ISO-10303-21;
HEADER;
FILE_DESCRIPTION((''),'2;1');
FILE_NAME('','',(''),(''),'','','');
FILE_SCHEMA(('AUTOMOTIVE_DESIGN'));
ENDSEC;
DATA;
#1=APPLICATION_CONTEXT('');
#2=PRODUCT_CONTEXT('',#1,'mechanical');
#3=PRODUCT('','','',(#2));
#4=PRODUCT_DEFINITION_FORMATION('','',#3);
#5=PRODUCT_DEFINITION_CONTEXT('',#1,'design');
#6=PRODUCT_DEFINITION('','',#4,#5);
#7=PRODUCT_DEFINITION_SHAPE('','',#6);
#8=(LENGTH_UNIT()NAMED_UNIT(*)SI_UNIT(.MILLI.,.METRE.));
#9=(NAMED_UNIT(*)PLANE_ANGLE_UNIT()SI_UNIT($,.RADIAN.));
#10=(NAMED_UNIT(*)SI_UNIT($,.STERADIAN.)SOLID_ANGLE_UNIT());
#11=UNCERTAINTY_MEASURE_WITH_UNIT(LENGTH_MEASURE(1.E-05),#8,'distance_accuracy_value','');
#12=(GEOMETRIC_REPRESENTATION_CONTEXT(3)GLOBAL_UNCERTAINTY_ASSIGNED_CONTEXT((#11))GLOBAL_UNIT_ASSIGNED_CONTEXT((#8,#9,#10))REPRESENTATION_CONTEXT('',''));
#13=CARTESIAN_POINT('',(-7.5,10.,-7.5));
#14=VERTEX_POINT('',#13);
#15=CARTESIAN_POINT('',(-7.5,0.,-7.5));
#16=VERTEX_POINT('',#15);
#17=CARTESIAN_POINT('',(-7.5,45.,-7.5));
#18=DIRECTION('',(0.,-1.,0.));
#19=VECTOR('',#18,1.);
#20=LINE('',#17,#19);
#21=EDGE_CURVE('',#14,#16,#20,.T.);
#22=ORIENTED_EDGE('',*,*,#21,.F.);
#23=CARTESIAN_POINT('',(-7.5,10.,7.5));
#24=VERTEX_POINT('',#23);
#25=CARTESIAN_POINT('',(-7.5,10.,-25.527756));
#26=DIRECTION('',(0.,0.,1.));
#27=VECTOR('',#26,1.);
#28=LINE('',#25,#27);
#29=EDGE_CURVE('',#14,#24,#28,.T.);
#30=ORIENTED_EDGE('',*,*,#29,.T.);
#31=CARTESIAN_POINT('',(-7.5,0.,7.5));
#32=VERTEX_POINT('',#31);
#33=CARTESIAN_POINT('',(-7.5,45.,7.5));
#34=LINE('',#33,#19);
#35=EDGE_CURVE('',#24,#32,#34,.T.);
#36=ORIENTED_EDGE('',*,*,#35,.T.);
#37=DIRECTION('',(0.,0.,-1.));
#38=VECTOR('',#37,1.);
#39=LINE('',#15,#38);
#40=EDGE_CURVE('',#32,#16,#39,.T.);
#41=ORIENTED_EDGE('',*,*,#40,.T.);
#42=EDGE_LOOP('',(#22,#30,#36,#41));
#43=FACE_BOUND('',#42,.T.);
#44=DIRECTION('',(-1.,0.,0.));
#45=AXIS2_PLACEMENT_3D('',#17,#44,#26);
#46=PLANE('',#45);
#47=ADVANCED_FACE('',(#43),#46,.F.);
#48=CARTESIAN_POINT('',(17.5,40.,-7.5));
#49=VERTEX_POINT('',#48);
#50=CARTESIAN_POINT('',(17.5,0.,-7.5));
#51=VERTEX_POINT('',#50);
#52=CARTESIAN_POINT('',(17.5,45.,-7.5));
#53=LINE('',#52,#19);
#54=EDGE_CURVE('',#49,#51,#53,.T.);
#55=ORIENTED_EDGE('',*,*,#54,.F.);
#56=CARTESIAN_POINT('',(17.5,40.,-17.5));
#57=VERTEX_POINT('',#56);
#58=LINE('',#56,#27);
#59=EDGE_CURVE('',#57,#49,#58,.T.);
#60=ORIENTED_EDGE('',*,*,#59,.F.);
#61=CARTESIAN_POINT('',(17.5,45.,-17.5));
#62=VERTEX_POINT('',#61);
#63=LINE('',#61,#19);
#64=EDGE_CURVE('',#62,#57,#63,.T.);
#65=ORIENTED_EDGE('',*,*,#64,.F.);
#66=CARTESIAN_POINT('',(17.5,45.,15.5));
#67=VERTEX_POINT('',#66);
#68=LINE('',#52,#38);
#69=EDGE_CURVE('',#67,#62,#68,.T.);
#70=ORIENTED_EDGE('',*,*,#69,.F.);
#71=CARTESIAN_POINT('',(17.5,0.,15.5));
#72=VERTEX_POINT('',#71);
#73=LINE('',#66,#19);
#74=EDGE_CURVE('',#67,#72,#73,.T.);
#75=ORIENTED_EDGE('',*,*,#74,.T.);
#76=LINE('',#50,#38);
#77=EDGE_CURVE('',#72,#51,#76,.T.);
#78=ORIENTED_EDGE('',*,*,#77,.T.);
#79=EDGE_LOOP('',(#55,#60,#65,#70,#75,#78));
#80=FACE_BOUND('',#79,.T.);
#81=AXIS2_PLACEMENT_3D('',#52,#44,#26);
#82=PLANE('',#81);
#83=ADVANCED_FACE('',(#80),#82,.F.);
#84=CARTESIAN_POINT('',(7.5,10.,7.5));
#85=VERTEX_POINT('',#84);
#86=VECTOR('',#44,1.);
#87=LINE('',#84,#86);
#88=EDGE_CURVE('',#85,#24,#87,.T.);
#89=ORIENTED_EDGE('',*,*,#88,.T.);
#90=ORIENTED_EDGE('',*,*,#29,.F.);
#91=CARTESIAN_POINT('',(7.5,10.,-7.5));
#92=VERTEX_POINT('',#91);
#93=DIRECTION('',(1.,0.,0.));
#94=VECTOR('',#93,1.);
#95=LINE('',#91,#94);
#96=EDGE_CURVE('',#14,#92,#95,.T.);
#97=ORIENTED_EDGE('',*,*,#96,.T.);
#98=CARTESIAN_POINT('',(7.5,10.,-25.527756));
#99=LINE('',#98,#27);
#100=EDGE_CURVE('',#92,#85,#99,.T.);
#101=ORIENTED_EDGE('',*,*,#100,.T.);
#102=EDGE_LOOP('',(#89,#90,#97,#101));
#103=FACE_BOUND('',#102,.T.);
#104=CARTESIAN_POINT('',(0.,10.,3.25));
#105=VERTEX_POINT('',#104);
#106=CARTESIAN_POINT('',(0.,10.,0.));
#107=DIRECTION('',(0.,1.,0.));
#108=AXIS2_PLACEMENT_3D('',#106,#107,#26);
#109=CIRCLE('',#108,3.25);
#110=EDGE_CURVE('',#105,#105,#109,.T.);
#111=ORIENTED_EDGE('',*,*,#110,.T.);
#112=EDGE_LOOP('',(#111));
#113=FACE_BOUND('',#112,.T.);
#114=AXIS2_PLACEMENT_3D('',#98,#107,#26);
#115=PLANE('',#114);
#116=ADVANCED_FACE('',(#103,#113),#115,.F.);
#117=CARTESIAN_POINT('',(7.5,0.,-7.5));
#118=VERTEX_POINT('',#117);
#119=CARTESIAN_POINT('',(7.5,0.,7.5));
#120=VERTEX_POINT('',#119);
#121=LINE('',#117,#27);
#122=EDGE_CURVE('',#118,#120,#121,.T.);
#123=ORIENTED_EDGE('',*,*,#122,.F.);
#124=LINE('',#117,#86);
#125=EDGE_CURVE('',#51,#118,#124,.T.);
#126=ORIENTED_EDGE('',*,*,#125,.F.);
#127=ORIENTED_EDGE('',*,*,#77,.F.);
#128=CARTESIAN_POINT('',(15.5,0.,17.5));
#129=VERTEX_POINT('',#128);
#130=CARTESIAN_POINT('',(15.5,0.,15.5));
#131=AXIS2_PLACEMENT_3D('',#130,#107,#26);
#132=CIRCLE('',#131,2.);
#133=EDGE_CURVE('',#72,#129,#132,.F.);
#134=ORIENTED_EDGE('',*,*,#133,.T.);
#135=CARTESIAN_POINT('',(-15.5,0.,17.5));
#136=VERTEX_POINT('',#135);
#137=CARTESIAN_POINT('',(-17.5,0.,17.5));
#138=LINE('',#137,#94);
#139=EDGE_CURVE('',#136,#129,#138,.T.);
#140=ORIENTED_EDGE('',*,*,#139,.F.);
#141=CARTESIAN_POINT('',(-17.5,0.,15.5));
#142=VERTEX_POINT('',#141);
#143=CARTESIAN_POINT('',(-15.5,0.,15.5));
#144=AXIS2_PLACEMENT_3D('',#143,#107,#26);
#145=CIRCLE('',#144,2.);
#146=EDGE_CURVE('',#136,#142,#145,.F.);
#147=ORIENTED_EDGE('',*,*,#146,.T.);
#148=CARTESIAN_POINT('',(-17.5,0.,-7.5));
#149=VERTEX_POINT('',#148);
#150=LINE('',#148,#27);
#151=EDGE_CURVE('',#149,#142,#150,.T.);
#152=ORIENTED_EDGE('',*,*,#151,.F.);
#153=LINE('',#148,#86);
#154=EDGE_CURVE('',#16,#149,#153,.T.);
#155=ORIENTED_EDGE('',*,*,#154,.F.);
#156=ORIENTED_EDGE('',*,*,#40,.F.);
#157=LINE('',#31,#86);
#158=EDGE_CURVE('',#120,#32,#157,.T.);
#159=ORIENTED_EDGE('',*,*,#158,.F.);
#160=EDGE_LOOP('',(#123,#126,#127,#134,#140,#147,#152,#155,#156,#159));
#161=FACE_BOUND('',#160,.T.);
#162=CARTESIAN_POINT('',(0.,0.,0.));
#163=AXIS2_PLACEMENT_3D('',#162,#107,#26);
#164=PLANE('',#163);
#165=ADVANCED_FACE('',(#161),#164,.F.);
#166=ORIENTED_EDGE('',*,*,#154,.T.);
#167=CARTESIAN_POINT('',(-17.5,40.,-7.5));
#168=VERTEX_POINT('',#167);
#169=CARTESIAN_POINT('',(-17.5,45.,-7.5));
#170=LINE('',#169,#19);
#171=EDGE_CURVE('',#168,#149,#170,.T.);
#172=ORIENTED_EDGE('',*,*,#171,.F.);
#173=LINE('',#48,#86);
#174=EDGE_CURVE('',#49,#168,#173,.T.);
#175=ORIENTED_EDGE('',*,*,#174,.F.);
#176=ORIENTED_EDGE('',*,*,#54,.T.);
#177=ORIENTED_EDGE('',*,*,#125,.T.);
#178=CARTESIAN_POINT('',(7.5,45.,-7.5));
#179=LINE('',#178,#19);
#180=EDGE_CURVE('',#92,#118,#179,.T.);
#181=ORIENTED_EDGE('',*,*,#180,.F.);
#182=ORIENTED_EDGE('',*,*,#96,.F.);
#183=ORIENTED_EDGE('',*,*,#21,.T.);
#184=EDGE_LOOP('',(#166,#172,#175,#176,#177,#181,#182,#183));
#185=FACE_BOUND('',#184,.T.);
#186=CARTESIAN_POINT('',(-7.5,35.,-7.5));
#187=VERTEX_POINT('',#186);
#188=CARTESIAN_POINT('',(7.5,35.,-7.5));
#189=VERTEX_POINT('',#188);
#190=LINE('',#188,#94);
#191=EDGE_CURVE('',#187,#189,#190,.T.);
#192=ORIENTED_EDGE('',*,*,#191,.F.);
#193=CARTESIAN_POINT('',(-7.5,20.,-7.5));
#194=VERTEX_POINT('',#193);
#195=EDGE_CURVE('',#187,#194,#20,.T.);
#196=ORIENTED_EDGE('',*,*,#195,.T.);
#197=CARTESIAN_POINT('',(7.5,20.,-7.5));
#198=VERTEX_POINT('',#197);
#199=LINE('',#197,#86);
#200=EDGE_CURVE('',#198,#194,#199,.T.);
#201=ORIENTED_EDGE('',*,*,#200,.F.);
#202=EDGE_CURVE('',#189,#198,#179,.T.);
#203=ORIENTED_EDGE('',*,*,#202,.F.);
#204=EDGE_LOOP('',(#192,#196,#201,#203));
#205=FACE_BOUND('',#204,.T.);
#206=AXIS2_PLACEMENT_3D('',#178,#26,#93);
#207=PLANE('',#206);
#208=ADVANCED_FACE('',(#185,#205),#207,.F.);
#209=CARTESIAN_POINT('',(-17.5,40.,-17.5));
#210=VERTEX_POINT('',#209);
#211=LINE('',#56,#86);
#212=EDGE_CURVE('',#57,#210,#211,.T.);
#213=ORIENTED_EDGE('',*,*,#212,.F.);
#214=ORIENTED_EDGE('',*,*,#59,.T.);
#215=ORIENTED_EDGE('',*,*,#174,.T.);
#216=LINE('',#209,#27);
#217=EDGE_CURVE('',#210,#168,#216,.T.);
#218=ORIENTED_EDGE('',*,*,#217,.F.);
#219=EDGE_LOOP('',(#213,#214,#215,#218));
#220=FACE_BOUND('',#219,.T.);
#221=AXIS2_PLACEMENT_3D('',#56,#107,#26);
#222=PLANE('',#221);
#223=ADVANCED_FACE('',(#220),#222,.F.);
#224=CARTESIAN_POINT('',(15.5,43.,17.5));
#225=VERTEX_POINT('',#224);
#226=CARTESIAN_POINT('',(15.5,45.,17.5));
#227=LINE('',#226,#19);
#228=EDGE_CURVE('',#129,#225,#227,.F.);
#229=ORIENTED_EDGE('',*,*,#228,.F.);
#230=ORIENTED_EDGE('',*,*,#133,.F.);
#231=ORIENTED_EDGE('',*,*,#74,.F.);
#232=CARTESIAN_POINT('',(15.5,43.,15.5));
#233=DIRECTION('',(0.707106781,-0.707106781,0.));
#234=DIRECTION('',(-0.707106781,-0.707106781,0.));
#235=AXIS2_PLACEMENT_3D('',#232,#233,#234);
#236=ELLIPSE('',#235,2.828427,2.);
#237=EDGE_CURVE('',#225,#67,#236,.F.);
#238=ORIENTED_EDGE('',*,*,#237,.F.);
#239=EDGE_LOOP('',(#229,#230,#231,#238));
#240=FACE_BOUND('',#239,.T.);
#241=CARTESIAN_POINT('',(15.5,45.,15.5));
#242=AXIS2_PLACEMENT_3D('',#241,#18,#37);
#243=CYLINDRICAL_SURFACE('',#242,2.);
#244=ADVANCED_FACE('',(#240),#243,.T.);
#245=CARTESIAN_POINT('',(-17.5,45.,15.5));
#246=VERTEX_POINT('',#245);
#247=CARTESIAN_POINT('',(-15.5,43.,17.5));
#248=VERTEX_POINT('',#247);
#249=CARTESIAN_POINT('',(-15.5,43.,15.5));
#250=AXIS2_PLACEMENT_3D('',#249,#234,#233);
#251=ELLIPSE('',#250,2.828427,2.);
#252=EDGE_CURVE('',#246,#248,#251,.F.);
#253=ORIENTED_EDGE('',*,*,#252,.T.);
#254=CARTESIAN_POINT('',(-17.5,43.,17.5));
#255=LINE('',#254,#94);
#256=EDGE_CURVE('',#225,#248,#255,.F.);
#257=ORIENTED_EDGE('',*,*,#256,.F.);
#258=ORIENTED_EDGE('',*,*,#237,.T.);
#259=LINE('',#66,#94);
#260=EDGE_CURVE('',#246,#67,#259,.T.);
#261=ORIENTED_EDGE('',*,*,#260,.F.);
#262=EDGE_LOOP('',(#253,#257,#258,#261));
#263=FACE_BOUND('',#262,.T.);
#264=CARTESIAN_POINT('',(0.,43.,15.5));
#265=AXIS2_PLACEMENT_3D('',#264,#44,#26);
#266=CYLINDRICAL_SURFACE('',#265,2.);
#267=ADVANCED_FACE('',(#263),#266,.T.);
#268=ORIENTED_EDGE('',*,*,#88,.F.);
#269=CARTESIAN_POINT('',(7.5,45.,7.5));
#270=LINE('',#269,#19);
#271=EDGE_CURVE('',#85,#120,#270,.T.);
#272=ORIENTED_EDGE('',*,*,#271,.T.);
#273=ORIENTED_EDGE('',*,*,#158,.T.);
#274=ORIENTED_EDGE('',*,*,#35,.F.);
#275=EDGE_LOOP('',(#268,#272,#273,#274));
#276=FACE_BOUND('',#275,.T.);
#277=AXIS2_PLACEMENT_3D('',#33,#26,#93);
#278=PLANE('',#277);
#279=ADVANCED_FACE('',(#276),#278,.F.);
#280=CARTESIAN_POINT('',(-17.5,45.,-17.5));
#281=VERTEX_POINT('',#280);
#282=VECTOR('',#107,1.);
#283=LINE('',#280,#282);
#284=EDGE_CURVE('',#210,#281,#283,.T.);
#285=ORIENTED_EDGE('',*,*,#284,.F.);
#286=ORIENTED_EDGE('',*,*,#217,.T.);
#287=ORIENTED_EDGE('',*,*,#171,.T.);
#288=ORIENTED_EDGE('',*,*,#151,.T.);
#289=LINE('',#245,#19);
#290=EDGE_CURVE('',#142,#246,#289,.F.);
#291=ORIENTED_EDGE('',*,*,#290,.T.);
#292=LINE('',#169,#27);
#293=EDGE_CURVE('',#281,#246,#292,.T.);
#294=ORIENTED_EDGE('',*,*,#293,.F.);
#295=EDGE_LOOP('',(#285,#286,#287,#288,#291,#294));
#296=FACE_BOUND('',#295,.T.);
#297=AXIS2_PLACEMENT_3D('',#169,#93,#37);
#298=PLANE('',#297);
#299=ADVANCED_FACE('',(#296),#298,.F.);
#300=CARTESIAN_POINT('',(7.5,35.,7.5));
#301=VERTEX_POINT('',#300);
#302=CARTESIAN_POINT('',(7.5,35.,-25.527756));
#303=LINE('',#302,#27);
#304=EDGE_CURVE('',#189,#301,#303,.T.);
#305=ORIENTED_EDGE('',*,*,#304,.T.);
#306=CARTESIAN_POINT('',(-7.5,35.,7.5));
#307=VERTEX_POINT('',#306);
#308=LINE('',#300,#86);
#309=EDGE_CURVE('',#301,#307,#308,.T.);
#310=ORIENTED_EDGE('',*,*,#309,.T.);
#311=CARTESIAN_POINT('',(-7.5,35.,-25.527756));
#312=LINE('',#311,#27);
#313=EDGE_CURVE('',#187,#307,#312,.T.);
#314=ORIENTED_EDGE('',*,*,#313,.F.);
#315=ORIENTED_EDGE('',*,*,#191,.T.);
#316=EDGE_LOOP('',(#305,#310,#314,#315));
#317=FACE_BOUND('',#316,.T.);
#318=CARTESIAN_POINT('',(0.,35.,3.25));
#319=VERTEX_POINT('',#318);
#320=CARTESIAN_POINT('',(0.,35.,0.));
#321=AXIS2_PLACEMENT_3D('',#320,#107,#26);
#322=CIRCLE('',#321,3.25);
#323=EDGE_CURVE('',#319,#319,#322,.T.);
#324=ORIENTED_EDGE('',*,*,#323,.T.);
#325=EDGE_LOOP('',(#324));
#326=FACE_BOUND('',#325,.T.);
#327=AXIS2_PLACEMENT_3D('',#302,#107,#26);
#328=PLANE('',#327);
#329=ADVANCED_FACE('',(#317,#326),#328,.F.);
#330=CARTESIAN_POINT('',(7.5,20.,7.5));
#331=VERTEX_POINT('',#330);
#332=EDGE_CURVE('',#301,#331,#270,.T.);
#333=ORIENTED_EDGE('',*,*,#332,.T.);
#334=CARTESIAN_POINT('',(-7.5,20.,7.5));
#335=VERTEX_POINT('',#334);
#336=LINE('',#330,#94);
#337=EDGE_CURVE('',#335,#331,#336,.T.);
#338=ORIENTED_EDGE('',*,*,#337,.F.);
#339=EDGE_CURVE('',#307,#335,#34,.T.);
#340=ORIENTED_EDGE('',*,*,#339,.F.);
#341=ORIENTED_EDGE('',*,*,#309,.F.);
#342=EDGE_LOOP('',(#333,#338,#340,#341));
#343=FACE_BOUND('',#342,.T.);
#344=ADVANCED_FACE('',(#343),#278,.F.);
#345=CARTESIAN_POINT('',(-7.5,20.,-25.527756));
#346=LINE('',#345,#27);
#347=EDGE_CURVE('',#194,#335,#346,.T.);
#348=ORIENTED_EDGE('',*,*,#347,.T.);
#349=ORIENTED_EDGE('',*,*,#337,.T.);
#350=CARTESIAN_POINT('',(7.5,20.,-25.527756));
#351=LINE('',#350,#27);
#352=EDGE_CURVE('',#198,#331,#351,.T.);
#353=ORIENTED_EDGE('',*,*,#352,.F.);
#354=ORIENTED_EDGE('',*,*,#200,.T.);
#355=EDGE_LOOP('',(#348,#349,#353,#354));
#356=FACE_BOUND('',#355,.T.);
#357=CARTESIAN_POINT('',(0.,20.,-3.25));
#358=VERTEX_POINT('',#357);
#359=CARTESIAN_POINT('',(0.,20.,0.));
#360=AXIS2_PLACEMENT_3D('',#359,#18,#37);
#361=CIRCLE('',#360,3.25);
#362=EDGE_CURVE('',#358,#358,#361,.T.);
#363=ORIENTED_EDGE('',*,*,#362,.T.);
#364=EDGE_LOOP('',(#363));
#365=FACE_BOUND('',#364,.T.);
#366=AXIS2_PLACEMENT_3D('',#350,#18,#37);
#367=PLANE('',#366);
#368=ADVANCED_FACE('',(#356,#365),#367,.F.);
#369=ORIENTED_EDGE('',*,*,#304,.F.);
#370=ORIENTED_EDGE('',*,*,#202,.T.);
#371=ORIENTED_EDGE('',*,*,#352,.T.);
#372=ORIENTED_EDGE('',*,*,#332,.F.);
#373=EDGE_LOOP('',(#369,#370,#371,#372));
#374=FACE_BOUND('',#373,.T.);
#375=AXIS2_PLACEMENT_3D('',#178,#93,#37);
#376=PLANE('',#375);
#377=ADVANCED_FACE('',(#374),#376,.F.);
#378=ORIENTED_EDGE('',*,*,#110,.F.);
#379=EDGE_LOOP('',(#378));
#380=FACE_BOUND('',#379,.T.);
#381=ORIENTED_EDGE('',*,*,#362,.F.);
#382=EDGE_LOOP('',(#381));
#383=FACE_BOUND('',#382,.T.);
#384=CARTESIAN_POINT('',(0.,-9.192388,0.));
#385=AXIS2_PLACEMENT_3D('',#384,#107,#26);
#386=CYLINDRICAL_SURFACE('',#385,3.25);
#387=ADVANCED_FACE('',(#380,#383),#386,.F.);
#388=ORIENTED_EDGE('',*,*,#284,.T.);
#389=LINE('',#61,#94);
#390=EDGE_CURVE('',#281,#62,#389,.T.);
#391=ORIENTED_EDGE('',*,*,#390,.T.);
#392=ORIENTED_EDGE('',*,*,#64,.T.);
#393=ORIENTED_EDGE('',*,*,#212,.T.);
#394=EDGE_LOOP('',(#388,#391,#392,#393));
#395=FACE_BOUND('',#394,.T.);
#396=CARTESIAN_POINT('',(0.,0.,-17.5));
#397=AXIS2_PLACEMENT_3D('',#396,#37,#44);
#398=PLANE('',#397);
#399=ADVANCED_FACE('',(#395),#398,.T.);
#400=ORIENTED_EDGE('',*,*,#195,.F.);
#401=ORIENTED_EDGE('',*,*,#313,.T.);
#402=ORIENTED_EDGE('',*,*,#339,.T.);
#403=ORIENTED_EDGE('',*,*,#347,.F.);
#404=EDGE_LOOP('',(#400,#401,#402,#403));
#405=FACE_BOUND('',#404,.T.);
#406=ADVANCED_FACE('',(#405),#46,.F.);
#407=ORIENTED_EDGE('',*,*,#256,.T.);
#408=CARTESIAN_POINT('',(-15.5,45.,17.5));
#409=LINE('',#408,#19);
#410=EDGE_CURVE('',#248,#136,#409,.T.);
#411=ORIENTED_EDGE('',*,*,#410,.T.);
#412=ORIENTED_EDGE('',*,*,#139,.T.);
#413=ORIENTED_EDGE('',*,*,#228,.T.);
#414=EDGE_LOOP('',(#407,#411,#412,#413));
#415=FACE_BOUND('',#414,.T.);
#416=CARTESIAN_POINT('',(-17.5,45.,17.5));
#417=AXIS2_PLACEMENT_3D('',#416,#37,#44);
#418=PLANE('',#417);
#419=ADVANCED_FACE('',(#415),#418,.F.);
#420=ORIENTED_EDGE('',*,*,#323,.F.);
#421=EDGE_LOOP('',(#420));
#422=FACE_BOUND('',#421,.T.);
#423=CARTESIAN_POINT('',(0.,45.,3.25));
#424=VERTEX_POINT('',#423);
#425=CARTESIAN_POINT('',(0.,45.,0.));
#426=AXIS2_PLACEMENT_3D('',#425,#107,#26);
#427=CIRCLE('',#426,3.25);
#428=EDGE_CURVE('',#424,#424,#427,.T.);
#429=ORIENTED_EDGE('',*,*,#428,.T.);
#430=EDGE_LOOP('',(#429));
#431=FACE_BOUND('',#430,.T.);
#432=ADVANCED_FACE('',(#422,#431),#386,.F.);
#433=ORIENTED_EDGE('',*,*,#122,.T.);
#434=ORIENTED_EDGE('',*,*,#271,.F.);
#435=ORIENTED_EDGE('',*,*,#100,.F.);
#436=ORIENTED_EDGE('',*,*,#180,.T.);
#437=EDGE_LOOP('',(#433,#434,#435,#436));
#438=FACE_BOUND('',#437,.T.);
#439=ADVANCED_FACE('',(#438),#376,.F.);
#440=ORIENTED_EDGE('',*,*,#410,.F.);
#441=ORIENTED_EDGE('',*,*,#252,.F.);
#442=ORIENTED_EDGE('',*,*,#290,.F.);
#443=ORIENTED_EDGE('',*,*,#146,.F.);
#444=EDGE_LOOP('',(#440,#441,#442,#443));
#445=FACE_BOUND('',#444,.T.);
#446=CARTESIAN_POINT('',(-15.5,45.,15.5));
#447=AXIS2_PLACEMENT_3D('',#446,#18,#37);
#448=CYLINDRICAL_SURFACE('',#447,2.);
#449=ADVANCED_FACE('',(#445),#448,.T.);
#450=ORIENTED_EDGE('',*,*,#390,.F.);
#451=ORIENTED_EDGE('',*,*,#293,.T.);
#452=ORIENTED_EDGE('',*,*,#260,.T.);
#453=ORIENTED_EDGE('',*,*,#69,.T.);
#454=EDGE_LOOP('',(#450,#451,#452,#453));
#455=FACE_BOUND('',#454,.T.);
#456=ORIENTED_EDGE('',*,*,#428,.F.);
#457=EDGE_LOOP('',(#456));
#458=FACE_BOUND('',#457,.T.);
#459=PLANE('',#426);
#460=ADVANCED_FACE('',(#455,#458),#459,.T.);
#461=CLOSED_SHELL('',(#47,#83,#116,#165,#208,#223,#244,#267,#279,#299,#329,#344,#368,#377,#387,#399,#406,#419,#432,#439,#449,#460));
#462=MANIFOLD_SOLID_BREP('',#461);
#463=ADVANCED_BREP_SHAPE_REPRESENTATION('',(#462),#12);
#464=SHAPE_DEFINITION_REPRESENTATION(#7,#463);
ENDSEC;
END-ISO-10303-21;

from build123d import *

# Parameters (mm, degrees)
BOSS_EXTRUDE1_DEPTH = 45
SKETCH2_W           = 15
SKETCH2_H           = 10
BOSS_EXTRUDE2_DEPTH = 15
CUT_EXTRUDE1_START  = -35
SKETCH3_R           = 3.25
CUT_EXTRUDE1_DEPTH  = 35
SKETCH4_W           = 35
SKETCH4_H           = 5
BOSS_EXTRUDE3_DEPTH = 10
FILLET1_R           = 2


with BuildPart() as part:
    # Sketch1 → Boss-Extrude1 (new body)
    with BuildSketch(Plane(origin=(0, 0, 0), x_dir=(1, 0, 0), z_dir=(0, 1, 0))):
        Polygon((-17.5, 7.5), (-7.5, 7.5), (-7.5, -7.5), (7.5, -7.5), (7.5, 7.5), (17.5, 7.5), (17.5, -17.5), (-17.5, -17.5), align=None)
    extrude(amount=BOSS_EXTRUDE1_DEPTH)

    # Sketch2 → Boss-Extrude2 (add)
    with BuildSketch(Plane(origin=(0, 0, 7.5), x_dir=(-1, 0, 0), z_dir=(0, 0, -1))):
        with Locations((0, 40)):
            Rectangle(SKETCH2_W, SKETCH2_H)
        with Locations((0, 15)):
            Rectangle(SKETCH2_W, SKETCH2_H)
    extrude(amount=BOSS_EXTRUDE2_DEPTH)

    # Sketch3 → Cut-Extrude1 (cut)
    with BuildSketch(Plane(origin=(0, 45, 0), x_dir=(1, 0, 0), z_dir=(0, 1, 0)).offset(CUT_EXTRUDE1_START)):
        with Locations(Location((0, 0, 0), (0, 0, 270))):
            Circle(SKETCH3_R)
    extrude(amount=CUT_EXTRUDE1_DEPTH, mode=Mode.SUBTRACT)

    # Sketch4 → Boss-Extrude3 (add)
    with BuildSketch(Plane(origin=(0, 0, -7.5), x_dir=(-1, 0, 0), z_dir=(0, 0, -1))):
        with Locations((0, 42.5)):
            Rectangle(SKETCH4_W, SKETCH4_H)
    extrude(amount=BOSS_EXTRUDE3_DEPTH)

    # Fillet1
    fillet1_edges = [part.edges().sort_by_distance(p)[0] for p in [
        (17.5, 22.5, 17.5),
        (-17.5, 22.5, 17.5),
        (0, 45, 17.5),
    ]]
    fillet(fillet1_edges, radius=FILLET1_R)


solid = part.part
